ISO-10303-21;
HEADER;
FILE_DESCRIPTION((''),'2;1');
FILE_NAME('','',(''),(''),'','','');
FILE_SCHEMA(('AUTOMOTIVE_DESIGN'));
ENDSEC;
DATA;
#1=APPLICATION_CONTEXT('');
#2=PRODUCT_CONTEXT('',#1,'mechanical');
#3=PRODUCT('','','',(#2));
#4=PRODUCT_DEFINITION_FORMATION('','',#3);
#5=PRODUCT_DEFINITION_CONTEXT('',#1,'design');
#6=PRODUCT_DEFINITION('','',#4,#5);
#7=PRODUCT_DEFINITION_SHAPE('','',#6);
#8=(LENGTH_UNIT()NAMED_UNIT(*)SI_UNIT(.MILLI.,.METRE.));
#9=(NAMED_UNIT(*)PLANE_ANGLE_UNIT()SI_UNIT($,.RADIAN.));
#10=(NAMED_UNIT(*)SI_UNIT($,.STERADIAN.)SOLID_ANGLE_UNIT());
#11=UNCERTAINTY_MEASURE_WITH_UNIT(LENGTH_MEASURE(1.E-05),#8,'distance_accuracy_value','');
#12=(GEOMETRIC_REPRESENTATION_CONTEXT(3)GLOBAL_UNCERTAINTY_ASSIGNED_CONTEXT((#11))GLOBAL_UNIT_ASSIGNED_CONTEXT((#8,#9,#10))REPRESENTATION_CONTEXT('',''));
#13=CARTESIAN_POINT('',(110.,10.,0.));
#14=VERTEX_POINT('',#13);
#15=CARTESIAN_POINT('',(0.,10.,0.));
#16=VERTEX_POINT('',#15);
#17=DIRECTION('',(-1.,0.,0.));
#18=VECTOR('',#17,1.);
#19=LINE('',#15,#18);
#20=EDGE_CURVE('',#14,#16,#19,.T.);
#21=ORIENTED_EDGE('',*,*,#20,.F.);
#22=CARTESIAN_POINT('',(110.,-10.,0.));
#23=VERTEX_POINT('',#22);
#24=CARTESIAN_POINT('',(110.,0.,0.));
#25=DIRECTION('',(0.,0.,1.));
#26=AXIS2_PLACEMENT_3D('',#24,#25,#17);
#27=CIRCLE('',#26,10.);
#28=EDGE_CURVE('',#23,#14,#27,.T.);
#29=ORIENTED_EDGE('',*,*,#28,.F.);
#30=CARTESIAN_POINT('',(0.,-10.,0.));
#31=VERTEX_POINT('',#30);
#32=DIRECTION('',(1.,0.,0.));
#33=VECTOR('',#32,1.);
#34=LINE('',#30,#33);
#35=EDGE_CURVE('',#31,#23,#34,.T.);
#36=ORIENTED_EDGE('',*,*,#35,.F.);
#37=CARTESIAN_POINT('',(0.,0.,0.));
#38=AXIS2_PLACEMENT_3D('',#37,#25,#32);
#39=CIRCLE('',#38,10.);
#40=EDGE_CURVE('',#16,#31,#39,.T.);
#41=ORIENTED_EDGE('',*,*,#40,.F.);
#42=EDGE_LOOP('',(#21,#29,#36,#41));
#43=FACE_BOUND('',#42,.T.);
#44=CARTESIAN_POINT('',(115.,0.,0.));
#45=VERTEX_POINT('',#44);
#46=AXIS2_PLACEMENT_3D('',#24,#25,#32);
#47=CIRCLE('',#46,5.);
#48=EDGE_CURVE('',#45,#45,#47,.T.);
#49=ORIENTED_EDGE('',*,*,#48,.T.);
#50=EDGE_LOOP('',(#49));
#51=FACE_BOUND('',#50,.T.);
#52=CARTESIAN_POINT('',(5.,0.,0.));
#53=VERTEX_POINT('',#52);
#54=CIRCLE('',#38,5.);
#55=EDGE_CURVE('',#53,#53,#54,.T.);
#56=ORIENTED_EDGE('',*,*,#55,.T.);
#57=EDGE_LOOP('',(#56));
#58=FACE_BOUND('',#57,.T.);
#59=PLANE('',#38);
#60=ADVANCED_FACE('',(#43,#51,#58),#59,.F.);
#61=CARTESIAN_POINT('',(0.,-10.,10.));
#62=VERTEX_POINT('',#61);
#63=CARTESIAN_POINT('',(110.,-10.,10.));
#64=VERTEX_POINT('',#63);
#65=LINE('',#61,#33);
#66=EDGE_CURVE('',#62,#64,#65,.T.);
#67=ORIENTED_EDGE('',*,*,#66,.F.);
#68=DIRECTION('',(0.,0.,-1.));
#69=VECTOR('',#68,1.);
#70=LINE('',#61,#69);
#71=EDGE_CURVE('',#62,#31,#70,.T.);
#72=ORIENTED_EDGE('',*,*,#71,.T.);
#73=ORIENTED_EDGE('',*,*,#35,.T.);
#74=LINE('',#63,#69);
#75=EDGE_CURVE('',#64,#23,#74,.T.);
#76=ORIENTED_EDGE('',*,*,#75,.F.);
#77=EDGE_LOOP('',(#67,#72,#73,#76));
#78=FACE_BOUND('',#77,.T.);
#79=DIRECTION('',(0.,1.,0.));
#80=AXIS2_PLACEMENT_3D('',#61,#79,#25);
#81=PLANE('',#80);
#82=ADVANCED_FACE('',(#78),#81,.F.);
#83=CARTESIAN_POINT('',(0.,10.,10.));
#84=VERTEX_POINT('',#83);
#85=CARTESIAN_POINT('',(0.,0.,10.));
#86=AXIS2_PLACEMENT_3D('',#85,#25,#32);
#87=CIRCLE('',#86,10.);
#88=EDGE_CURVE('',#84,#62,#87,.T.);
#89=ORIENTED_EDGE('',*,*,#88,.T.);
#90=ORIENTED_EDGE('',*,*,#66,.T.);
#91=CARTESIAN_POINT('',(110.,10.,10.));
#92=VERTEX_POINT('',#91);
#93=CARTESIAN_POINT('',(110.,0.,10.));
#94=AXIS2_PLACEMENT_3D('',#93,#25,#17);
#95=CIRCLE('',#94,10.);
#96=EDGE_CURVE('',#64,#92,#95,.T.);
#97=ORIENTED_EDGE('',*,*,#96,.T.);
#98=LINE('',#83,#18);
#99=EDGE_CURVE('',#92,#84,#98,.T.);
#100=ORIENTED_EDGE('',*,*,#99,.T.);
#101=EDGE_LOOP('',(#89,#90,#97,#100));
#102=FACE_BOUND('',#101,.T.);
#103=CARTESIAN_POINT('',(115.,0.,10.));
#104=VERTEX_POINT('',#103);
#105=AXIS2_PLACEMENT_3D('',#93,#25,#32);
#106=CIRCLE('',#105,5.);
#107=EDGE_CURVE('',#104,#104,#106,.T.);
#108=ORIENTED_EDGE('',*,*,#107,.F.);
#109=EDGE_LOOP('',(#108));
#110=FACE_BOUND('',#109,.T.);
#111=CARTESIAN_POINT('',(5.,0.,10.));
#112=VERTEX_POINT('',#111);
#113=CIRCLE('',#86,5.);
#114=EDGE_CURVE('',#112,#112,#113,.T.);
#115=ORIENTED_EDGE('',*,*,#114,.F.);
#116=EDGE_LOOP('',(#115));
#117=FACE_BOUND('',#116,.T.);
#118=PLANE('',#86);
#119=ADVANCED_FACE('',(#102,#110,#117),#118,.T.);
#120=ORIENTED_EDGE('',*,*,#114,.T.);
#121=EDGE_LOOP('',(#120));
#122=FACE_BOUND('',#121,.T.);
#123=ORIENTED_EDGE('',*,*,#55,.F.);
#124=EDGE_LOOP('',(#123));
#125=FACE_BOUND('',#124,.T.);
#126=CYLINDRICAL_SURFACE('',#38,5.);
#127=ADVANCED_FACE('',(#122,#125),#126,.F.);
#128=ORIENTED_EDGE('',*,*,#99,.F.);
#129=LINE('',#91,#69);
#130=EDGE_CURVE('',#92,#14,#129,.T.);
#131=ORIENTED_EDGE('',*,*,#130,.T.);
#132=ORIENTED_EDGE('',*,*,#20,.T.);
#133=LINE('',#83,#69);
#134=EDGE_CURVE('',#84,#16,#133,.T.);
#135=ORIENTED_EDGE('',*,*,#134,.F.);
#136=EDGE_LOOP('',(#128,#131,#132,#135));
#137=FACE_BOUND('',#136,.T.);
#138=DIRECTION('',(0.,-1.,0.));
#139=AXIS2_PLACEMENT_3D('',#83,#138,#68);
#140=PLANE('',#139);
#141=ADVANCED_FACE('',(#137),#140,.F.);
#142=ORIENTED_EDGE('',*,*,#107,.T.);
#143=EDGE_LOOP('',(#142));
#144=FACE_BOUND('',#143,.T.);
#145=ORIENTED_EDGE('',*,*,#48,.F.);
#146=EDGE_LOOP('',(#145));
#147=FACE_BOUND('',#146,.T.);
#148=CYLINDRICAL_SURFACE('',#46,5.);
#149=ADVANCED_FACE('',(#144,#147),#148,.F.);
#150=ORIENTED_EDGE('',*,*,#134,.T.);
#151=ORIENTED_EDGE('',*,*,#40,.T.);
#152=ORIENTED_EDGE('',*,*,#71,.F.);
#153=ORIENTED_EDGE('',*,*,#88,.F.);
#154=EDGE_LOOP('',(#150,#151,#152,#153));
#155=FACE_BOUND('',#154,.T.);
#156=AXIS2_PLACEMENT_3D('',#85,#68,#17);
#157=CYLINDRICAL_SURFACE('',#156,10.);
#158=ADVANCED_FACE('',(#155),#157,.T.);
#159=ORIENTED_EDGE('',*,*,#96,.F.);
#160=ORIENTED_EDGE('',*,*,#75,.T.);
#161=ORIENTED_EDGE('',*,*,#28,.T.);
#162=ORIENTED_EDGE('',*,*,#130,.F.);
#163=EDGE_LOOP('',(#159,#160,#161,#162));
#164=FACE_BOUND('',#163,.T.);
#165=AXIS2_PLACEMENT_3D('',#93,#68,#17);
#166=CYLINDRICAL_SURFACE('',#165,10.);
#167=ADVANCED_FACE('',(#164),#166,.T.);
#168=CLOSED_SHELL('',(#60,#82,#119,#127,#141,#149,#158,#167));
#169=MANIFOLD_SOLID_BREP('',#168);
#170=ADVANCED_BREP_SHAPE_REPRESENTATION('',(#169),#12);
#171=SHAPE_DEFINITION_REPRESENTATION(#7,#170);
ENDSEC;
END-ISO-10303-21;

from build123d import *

# Parameters (mm, degrees)
EXTRUDE_1_DEPTH     = 10
SKETCH_2_R          = 5
CUT_EXTRUDE_1_DEPTH = 10
SKETCH_3_R          = 5
CUT_EXTRUDE_2_DEPTH = 10


with BuildPart() as part:
    # 草图1 → 凸台-拉伸1 (new body)
    with BuildSketch(Plane.XY):
        with BuildLine():
            Line((0, -10), (110, -10))
            ThreePointArc((110, -10), (120, 0), (110, 10))
            Line((110, 10), (0, 10))
            ThreePointArc((0, 10), (-10, 0), (0, -10))
        make_face()
    extrude(amount=EXTRUDE_1_DEPTH)

    # 草图2 → 切除-拉伸1 (cut)
    with BuildSketch(Plane.XY.offset(10)):
        Circle(SKETCH_2_R)
    extrude(amount=-CUT_EXTRUDE_1_DEPTH, mode=Mode.SUBTRACT)

    # 草图3 → 切除-拉伸2 (cut)
    with BuildSketch(Plane.XY.offset(10)):
        with Locations((110, 0)):
            Circle(SKETCH_3_R)
    extrude(amount=-CUT_EXTRUDE_2_DEPTH, mode=Mode.SUBTRACT)


solid = part.part
